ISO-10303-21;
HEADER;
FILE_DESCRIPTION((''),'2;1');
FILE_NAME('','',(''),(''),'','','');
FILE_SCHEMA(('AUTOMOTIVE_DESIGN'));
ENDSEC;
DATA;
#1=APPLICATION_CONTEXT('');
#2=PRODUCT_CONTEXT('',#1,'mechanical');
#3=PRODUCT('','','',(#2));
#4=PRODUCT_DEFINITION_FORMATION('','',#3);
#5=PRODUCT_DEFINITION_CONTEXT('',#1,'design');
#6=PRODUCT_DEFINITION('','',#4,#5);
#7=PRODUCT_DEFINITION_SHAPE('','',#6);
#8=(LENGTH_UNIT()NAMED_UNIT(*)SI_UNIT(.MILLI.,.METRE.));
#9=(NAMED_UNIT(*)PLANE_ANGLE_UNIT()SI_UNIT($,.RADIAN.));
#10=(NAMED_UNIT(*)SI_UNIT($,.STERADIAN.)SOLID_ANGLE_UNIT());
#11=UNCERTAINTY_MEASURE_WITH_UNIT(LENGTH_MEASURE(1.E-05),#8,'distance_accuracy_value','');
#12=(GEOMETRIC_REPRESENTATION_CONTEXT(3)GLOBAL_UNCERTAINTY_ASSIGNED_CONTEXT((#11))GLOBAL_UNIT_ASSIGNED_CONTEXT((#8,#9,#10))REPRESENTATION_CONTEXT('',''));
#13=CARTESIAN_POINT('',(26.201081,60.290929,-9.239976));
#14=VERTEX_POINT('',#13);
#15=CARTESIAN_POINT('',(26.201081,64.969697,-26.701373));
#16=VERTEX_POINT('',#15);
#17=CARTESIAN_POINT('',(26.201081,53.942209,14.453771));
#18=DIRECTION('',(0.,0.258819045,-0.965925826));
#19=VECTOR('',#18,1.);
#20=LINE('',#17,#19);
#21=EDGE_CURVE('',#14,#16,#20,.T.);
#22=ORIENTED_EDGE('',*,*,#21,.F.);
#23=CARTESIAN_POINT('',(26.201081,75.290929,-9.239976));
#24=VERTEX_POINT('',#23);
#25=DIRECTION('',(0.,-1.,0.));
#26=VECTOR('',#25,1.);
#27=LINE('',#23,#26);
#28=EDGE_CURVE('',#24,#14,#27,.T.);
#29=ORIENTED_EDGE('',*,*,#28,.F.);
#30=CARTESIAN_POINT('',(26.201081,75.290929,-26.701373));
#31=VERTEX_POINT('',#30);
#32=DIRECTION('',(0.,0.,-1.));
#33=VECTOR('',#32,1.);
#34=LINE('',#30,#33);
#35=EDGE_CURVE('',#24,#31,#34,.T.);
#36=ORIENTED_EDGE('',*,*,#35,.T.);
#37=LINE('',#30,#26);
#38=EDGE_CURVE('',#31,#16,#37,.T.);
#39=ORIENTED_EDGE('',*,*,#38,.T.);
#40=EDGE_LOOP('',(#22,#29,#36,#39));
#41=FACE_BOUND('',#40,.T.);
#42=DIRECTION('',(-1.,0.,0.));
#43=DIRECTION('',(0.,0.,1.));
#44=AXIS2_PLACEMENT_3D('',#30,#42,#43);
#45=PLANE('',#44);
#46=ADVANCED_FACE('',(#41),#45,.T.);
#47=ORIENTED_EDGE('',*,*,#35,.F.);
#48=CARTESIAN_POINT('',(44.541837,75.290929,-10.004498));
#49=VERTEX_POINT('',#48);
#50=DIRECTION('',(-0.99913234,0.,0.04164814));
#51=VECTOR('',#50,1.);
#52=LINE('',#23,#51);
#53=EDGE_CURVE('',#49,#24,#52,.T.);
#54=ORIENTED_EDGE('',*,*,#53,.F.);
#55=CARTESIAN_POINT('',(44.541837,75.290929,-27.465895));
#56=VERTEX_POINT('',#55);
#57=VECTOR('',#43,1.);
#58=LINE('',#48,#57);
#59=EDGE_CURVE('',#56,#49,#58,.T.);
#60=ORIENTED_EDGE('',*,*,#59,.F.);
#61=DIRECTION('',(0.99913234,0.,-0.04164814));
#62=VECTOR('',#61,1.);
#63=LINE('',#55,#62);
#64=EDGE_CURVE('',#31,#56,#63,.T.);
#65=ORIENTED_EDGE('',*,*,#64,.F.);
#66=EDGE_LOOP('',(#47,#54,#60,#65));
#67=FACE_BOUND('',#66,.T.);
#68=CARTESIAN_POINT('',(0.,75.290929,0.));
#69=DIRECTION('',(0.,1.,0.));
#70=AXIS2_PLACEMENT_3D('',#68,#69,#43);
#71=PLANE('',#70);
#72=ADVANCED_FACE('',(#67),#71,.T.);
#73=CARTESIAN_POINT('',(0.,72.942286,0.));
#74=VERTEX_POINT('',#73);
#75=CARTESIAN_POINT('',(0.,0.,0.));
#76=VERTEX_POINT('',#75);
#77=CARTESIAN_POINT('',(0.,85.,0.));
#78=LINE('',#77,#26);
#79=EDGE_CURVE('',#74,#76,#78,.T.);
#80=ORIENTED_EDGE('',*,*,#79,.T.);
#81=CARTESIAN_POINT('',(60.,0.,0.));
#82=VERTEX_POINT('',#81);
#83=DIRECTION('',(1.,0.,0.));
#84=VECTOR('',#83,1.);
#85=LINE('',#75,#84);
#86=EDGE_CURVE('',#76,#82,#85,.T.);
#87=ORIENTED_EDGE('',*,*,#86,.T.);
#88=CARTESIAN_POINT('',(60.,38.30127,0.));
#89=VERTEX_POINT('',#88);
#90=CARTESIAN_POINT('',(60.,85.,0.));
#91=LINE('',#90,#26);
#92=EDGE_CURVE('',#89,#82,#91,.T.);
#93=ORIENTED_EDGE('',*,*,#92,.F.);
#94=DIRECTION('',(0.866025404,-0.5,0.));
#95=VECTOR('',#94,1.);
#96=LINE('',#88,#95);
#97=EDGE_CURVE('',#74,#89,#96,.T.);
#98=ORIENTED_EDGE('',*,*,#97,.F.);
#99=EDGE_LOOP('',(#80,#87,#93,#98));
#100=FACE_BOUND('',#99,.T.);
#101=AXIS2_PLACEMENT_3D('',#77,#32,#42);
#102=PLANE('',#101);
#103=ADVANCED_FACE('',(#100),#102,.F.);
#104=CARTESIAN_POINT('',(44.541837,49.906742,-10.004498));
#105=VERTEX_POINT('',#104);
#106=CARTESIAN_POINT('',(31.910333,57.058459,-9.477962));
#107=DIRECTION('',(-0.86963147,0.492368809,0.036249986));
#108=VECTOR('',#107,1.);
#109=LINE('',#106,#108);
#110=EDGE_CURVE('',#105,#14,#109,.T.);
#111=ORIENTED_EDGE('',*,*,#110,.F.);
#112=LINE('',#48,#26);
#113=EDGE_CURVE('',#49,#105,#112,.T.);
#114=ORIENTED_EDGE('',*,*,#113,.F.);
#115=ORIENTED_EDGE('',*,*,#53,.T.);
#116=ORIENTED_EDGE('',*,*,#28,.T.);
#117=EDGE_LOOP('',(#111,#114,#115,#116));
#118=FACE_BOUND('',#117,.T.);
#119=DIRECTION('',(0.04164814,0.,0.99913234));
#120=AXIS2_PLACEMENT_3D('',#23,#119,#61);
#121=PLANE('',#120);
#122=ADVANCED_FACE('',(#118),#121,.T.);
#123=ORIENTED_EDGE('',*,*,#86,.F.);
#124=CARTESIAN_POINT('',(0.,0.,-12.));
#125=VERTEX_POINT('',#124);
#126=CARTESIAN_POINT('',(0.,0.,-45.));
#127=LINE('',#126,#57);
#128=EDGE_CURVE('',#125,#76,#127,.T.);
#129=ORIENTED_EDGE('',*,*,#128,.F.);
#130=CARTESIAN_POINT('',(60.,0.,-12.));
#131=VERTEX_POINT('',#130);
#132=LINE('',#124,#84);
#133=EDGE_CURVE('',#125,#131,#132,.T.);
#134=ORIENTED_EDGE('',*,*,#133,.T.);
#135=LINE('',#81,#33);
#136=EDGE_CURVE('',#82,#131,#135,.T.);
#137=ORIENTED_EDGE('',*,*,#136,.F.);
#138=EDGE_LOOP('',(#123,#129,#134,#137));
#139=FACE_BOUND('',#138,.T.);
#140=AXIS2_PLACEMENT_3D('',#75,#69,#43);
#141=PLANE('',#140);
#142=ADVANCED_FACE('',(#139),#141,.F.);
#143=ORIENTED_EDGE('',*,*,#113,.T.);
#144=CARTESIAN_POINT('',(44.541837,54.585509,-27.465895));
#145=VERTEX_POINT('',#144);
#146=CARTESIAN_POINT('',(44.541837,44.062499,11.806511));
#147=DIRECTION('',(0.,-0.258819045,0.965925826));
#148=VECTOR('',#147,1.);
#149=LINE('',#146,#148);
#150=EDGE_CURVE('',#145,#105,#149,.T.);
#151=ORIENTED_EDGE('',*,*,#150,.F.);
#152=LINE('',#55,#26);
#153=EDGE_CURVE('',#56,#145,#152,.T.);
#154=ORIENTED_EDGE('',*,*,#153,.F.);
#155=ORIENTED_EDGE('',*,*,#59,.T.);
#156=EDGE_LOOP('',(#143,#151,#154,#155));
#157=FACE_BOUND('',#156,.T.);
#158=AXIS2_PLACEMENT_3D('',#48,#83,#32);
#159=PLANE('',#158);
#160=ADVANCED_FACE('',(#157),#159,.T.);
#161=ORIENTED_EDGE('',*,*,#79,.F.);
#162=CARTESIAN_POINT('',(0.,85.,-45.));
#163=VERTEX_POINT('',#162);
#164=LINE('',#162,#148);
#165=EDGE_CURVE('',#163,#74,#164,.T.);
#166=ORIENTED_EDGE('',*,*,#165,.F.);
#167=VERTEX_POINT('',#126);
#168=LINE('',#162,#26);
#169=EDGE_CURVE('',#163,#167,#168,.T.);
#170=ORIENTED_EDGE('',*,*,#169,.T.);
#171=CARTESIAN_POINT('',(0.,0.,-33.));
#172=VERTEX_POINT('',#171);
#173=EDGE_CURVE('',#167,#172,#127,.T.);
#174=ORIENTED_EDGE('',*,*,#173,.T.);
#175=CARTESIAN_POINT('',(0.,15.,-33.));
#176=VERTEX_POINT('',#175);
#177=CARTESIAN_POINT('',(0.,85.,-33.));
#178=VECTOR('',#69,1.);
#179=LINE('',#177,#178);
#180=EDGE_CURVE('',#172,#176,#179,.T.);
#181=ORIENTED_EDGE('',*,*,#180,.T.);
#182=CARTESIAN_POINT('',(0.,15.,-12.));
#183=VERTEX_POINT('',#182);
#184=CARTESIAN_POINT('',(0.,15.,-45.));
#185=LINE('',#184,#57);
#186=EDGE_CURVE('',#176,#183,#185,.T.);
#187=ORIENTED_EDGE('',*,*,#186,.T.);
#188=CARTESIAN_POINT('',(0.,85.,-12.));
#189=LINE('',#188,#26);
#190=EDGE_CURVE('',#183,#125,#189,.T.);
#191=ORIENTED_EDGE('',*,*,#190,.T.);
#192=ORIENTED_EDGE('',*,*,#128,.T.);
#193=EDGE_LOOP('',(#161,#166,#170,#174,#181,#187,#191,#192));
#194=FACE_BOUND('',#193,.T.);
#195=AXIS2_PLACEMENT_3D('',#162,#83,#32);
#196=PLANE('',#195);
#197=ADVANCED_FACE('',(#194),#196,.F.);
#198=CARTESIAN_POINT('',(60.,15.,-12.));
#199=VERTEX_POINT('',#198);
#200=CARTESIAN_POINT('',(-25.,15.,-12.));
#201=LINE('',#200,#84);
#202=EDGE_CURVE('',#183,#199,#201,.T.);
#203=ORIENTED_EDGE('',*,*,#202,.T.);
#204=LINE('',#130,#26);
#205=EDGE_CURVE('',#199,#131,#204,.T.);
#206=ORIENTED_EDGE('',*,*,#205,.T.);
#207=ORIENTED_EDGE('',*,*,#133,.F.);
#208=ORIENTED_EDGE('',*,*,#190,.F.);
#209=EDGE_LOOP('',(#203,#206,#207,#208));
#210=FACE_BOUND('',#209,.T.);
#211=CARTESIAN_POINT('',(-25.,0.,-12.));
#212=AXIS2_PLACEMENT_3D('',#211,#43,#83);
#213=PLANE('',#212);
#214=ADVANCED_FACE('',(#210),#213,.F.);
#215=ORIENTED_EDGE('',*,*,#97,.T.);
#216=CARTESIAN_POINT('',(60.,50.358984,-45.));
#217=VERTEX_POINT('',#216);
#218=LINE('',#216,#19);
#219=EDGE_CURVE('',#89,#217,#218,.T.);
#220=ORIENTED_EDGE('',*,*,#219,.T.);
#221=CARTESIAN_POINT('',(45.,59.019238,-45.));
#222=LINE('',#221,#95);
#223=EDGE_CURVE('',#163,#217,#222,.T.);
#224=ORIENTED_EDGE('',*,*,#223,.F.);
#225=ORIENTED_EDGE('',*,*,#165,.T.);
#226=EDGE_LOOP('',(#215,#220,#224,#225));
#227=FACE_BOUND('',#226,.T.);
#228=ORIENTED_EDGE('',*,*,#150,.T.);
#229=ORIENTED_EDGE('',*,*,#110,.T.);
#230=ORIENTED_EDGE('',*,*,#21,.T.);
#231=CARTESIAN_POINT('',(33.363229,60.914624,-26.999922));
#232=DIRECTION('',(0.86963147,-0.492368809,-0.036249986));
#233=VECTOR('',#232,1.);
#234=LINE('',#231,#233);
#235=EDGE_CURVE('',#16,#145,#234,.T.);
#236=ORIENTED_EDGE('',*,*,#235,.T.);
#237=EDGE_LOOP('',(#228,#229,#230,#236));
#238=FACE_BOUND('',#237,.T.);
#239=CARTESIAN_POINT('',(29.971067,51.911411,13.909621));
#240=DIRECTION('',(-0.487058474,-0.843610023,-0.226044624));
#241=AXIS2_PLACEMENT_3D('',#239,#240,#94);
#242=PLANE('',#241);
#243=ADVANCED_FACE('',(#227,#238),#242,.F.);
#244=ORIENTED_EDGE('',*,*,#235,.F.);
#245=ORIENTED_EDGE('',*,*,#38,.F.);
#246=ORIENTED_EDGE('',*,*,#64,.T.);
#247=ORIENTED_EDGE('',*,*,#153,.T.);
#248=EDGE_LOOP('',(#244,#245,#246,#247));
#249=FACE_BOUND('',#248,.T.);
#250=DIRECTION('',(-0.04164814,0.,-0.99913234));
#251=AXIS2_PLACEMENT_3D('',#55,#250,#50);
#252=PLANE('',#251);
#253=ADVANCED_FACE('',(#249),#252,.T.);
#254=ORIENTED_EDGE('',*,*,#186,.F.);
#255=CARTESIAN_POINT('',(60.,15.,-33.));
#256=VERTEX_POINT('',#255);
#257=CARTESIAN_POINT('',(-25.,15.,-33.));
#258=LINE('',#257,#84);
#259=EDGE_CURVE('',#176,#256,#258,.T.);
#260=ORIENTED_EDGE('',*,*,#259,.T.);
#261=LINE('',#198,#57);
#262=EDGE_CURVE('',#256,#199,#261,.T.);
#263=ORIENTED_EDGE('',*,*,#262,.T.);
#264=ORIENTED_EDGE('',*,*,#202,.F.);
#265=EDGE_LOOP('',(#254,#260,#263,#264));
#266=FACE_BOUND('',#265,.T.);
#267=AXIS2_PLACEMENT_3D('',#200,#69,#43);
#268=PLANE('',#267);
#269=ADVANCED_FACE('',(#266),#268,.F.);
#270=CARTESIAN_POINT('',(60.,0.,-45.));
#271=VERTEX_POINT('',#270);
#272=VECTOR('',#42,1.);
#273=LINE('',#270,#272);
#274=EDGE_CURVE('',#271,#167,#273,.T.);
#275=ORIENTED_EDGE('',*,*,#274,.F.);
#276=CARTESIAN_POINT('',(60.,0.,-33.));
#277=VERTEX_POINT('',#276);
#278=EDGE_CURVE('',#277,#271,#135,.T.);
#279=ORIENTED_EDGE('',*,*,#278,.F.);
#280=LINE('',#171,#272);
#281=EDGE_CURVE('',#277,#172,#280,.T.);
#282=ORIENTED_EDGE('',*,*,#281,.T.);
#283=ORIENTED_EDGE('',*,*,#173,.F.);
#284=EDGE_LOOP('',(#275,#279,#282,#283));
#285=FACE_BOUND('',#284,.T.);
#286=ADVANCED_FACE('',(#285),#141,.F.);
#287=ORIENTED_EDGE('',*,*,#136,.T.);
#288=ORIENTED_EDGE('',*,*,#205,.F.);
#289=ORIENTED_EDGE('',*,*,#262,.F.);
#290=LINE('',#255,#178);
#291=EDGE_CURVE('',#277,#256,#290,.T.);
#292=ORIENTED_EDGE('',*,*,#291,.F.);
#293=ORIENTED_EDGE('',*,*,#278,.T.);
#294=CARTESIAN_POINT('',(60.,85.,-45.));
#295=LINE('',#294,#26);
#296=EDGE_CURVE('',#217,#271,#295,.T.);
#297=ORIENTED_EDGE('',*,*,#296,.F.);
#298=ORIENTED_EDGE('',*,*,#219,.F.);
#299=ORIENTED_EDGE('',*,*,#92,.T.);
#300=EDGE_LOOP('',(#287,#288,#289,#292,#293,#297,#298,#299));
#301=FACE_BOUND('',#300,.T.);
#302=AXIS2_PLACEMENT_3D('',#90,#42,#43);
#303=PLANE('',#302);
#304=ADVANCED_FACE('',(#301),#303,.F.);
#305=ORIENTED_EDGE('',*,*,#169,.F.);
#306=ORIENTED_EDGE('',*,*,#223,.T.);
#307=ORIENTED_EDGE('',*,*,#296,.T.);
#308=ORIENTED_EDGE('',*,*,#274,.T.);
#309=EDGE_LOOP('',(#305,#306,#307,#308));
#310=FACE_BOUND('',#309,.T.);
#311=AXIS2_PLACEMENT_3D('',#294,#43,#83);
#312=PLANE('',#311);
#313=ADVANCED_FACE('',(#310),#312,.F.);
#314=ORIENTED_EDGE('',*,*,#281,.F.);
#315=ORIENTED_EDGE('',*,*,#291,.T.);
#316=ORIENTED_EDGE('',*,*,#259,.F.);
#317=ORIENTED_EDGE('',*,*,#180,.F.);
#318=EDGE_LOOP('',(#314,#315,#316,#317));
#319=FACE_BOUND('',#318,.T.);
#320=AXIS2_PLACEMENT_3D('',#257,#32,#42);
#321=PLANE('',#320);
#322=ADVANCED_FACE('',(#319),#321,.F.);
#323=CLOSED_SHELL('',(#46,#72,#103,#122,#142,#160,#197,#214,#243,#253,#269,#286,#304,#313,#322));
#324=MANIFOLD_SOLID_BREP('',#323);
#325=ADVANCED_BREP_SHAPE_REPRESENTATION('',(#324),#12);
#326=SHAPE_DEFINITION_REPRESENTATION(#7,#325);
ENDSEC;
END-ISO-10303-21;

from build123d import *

# Parameters (mm, degrees)
SKETCH1_W                = 60
SKETCH1_H                = 45
BOSS_EXTRUDE1_DEPTH      = 85
SKETCH2_W                = 21
SKETCH2_H                = 15
CUT_EXTRUDE1_DEPTH       = 85
CUT_EXTRUDE7_DEPTH       = 53
CUT_EXTRUDE9_DEPTH       = 42
CUT_EXTRUDE10_DEPTH      = 42
BOSS_EXTRUDE6_DEPTH      = 15
BOSS_EXTRUDE6_DEPTH_BACK = 15


with BuildPart() as part:
    # Sketch1 → Boss-Extrude1 (new body)
    with BuildSketch(Plane(origin=(0, 0, 0), x_dir=(1, 0, 0), z_dir=(0, 1, 0))):
        with Locations((30, 22.5)):
            Rectangle(SKETCH1_W, SKETCH1_H)
    extrude(amount=BOSS_EXTRUDE1_DEPTH)

    # Sketch2 → Cut-Extrude1 (cut)
    with BuildSketch(Plane(origin=(60, 0, 0), x_dir=(0, 0, -1), z_dir=(1, 0, 0))):
        with Locations((22.5, 7.5)):
            Rectangle(SKETCH2_W, SKETCH2_H)
    extrude(amount=-CUT_EXTRUDE1_DEPTH, mode=Mode.SUBTRACT)

    # Sketch10 → Cut-Extrude7 (cut)
    with BuildSketch(Plane.XY):
        Polygon((0, 85), (60, 50.358983849), (60, 85), align=None)
    extrude(amount=-CUT_EXTRUDE7_DEPTH, mode=Mode.SUBTRACT)

    # Sketch16 → Cut-Extrude9 (cut)
    with BuildSketch(Plane.ZY):
        Polygon((-45, 85), (0, 72.942286341), (0, 85), align=None)
    extrude(amount=-CUT_EXTRUDE9_DEPTH, mode=Mode.SUBTRACT)

    # Sketch17 → Cut-Extrude10 (cut)
    with BuildSketch(Plane(origin=(29.971067136, 51.911411037, 13.909620665), x_dir=(0.8733693623277136, -0.47046235880286186, -0.12606000911046442), z_dir=(0.48705847384814394, 0.843610022961955, 0.22604462437945042))):
        Polygon((34.382855821, 56.500526295), (34.382855821, 9.913098177), (-34.316600088, 18.878852898), (-34.316600088, 65.466281017), align=None)
    extrude(amount=CUT_EXTRUDE10_DEPTH, mode=Mode.SUBTRACT)

    # Sketch38 → Boss-Extrude6 (add, two sides: drawn at the far end of the back side and taken through both)
    with BuildSketch(Plane(origin=(0, 60.290929389, 0), x_dir=(-1, 0, 0), z_dir=(0, -1, 0)).offset(-BOSS_EXTRUDE6_DEPTH_BACK)):
        Polygon((-26.20108087, 9.239976128), (-44.541837479, 10.004497867), (-44.541837479, 27.465894941), (-26.20108087, 26.701373203), align=None)
    extrude(amount=BOSS_EXTRUDE6_DEPTH + BOSS_EXTRUDE6_DEPTH_BACK)


solid = part.part
